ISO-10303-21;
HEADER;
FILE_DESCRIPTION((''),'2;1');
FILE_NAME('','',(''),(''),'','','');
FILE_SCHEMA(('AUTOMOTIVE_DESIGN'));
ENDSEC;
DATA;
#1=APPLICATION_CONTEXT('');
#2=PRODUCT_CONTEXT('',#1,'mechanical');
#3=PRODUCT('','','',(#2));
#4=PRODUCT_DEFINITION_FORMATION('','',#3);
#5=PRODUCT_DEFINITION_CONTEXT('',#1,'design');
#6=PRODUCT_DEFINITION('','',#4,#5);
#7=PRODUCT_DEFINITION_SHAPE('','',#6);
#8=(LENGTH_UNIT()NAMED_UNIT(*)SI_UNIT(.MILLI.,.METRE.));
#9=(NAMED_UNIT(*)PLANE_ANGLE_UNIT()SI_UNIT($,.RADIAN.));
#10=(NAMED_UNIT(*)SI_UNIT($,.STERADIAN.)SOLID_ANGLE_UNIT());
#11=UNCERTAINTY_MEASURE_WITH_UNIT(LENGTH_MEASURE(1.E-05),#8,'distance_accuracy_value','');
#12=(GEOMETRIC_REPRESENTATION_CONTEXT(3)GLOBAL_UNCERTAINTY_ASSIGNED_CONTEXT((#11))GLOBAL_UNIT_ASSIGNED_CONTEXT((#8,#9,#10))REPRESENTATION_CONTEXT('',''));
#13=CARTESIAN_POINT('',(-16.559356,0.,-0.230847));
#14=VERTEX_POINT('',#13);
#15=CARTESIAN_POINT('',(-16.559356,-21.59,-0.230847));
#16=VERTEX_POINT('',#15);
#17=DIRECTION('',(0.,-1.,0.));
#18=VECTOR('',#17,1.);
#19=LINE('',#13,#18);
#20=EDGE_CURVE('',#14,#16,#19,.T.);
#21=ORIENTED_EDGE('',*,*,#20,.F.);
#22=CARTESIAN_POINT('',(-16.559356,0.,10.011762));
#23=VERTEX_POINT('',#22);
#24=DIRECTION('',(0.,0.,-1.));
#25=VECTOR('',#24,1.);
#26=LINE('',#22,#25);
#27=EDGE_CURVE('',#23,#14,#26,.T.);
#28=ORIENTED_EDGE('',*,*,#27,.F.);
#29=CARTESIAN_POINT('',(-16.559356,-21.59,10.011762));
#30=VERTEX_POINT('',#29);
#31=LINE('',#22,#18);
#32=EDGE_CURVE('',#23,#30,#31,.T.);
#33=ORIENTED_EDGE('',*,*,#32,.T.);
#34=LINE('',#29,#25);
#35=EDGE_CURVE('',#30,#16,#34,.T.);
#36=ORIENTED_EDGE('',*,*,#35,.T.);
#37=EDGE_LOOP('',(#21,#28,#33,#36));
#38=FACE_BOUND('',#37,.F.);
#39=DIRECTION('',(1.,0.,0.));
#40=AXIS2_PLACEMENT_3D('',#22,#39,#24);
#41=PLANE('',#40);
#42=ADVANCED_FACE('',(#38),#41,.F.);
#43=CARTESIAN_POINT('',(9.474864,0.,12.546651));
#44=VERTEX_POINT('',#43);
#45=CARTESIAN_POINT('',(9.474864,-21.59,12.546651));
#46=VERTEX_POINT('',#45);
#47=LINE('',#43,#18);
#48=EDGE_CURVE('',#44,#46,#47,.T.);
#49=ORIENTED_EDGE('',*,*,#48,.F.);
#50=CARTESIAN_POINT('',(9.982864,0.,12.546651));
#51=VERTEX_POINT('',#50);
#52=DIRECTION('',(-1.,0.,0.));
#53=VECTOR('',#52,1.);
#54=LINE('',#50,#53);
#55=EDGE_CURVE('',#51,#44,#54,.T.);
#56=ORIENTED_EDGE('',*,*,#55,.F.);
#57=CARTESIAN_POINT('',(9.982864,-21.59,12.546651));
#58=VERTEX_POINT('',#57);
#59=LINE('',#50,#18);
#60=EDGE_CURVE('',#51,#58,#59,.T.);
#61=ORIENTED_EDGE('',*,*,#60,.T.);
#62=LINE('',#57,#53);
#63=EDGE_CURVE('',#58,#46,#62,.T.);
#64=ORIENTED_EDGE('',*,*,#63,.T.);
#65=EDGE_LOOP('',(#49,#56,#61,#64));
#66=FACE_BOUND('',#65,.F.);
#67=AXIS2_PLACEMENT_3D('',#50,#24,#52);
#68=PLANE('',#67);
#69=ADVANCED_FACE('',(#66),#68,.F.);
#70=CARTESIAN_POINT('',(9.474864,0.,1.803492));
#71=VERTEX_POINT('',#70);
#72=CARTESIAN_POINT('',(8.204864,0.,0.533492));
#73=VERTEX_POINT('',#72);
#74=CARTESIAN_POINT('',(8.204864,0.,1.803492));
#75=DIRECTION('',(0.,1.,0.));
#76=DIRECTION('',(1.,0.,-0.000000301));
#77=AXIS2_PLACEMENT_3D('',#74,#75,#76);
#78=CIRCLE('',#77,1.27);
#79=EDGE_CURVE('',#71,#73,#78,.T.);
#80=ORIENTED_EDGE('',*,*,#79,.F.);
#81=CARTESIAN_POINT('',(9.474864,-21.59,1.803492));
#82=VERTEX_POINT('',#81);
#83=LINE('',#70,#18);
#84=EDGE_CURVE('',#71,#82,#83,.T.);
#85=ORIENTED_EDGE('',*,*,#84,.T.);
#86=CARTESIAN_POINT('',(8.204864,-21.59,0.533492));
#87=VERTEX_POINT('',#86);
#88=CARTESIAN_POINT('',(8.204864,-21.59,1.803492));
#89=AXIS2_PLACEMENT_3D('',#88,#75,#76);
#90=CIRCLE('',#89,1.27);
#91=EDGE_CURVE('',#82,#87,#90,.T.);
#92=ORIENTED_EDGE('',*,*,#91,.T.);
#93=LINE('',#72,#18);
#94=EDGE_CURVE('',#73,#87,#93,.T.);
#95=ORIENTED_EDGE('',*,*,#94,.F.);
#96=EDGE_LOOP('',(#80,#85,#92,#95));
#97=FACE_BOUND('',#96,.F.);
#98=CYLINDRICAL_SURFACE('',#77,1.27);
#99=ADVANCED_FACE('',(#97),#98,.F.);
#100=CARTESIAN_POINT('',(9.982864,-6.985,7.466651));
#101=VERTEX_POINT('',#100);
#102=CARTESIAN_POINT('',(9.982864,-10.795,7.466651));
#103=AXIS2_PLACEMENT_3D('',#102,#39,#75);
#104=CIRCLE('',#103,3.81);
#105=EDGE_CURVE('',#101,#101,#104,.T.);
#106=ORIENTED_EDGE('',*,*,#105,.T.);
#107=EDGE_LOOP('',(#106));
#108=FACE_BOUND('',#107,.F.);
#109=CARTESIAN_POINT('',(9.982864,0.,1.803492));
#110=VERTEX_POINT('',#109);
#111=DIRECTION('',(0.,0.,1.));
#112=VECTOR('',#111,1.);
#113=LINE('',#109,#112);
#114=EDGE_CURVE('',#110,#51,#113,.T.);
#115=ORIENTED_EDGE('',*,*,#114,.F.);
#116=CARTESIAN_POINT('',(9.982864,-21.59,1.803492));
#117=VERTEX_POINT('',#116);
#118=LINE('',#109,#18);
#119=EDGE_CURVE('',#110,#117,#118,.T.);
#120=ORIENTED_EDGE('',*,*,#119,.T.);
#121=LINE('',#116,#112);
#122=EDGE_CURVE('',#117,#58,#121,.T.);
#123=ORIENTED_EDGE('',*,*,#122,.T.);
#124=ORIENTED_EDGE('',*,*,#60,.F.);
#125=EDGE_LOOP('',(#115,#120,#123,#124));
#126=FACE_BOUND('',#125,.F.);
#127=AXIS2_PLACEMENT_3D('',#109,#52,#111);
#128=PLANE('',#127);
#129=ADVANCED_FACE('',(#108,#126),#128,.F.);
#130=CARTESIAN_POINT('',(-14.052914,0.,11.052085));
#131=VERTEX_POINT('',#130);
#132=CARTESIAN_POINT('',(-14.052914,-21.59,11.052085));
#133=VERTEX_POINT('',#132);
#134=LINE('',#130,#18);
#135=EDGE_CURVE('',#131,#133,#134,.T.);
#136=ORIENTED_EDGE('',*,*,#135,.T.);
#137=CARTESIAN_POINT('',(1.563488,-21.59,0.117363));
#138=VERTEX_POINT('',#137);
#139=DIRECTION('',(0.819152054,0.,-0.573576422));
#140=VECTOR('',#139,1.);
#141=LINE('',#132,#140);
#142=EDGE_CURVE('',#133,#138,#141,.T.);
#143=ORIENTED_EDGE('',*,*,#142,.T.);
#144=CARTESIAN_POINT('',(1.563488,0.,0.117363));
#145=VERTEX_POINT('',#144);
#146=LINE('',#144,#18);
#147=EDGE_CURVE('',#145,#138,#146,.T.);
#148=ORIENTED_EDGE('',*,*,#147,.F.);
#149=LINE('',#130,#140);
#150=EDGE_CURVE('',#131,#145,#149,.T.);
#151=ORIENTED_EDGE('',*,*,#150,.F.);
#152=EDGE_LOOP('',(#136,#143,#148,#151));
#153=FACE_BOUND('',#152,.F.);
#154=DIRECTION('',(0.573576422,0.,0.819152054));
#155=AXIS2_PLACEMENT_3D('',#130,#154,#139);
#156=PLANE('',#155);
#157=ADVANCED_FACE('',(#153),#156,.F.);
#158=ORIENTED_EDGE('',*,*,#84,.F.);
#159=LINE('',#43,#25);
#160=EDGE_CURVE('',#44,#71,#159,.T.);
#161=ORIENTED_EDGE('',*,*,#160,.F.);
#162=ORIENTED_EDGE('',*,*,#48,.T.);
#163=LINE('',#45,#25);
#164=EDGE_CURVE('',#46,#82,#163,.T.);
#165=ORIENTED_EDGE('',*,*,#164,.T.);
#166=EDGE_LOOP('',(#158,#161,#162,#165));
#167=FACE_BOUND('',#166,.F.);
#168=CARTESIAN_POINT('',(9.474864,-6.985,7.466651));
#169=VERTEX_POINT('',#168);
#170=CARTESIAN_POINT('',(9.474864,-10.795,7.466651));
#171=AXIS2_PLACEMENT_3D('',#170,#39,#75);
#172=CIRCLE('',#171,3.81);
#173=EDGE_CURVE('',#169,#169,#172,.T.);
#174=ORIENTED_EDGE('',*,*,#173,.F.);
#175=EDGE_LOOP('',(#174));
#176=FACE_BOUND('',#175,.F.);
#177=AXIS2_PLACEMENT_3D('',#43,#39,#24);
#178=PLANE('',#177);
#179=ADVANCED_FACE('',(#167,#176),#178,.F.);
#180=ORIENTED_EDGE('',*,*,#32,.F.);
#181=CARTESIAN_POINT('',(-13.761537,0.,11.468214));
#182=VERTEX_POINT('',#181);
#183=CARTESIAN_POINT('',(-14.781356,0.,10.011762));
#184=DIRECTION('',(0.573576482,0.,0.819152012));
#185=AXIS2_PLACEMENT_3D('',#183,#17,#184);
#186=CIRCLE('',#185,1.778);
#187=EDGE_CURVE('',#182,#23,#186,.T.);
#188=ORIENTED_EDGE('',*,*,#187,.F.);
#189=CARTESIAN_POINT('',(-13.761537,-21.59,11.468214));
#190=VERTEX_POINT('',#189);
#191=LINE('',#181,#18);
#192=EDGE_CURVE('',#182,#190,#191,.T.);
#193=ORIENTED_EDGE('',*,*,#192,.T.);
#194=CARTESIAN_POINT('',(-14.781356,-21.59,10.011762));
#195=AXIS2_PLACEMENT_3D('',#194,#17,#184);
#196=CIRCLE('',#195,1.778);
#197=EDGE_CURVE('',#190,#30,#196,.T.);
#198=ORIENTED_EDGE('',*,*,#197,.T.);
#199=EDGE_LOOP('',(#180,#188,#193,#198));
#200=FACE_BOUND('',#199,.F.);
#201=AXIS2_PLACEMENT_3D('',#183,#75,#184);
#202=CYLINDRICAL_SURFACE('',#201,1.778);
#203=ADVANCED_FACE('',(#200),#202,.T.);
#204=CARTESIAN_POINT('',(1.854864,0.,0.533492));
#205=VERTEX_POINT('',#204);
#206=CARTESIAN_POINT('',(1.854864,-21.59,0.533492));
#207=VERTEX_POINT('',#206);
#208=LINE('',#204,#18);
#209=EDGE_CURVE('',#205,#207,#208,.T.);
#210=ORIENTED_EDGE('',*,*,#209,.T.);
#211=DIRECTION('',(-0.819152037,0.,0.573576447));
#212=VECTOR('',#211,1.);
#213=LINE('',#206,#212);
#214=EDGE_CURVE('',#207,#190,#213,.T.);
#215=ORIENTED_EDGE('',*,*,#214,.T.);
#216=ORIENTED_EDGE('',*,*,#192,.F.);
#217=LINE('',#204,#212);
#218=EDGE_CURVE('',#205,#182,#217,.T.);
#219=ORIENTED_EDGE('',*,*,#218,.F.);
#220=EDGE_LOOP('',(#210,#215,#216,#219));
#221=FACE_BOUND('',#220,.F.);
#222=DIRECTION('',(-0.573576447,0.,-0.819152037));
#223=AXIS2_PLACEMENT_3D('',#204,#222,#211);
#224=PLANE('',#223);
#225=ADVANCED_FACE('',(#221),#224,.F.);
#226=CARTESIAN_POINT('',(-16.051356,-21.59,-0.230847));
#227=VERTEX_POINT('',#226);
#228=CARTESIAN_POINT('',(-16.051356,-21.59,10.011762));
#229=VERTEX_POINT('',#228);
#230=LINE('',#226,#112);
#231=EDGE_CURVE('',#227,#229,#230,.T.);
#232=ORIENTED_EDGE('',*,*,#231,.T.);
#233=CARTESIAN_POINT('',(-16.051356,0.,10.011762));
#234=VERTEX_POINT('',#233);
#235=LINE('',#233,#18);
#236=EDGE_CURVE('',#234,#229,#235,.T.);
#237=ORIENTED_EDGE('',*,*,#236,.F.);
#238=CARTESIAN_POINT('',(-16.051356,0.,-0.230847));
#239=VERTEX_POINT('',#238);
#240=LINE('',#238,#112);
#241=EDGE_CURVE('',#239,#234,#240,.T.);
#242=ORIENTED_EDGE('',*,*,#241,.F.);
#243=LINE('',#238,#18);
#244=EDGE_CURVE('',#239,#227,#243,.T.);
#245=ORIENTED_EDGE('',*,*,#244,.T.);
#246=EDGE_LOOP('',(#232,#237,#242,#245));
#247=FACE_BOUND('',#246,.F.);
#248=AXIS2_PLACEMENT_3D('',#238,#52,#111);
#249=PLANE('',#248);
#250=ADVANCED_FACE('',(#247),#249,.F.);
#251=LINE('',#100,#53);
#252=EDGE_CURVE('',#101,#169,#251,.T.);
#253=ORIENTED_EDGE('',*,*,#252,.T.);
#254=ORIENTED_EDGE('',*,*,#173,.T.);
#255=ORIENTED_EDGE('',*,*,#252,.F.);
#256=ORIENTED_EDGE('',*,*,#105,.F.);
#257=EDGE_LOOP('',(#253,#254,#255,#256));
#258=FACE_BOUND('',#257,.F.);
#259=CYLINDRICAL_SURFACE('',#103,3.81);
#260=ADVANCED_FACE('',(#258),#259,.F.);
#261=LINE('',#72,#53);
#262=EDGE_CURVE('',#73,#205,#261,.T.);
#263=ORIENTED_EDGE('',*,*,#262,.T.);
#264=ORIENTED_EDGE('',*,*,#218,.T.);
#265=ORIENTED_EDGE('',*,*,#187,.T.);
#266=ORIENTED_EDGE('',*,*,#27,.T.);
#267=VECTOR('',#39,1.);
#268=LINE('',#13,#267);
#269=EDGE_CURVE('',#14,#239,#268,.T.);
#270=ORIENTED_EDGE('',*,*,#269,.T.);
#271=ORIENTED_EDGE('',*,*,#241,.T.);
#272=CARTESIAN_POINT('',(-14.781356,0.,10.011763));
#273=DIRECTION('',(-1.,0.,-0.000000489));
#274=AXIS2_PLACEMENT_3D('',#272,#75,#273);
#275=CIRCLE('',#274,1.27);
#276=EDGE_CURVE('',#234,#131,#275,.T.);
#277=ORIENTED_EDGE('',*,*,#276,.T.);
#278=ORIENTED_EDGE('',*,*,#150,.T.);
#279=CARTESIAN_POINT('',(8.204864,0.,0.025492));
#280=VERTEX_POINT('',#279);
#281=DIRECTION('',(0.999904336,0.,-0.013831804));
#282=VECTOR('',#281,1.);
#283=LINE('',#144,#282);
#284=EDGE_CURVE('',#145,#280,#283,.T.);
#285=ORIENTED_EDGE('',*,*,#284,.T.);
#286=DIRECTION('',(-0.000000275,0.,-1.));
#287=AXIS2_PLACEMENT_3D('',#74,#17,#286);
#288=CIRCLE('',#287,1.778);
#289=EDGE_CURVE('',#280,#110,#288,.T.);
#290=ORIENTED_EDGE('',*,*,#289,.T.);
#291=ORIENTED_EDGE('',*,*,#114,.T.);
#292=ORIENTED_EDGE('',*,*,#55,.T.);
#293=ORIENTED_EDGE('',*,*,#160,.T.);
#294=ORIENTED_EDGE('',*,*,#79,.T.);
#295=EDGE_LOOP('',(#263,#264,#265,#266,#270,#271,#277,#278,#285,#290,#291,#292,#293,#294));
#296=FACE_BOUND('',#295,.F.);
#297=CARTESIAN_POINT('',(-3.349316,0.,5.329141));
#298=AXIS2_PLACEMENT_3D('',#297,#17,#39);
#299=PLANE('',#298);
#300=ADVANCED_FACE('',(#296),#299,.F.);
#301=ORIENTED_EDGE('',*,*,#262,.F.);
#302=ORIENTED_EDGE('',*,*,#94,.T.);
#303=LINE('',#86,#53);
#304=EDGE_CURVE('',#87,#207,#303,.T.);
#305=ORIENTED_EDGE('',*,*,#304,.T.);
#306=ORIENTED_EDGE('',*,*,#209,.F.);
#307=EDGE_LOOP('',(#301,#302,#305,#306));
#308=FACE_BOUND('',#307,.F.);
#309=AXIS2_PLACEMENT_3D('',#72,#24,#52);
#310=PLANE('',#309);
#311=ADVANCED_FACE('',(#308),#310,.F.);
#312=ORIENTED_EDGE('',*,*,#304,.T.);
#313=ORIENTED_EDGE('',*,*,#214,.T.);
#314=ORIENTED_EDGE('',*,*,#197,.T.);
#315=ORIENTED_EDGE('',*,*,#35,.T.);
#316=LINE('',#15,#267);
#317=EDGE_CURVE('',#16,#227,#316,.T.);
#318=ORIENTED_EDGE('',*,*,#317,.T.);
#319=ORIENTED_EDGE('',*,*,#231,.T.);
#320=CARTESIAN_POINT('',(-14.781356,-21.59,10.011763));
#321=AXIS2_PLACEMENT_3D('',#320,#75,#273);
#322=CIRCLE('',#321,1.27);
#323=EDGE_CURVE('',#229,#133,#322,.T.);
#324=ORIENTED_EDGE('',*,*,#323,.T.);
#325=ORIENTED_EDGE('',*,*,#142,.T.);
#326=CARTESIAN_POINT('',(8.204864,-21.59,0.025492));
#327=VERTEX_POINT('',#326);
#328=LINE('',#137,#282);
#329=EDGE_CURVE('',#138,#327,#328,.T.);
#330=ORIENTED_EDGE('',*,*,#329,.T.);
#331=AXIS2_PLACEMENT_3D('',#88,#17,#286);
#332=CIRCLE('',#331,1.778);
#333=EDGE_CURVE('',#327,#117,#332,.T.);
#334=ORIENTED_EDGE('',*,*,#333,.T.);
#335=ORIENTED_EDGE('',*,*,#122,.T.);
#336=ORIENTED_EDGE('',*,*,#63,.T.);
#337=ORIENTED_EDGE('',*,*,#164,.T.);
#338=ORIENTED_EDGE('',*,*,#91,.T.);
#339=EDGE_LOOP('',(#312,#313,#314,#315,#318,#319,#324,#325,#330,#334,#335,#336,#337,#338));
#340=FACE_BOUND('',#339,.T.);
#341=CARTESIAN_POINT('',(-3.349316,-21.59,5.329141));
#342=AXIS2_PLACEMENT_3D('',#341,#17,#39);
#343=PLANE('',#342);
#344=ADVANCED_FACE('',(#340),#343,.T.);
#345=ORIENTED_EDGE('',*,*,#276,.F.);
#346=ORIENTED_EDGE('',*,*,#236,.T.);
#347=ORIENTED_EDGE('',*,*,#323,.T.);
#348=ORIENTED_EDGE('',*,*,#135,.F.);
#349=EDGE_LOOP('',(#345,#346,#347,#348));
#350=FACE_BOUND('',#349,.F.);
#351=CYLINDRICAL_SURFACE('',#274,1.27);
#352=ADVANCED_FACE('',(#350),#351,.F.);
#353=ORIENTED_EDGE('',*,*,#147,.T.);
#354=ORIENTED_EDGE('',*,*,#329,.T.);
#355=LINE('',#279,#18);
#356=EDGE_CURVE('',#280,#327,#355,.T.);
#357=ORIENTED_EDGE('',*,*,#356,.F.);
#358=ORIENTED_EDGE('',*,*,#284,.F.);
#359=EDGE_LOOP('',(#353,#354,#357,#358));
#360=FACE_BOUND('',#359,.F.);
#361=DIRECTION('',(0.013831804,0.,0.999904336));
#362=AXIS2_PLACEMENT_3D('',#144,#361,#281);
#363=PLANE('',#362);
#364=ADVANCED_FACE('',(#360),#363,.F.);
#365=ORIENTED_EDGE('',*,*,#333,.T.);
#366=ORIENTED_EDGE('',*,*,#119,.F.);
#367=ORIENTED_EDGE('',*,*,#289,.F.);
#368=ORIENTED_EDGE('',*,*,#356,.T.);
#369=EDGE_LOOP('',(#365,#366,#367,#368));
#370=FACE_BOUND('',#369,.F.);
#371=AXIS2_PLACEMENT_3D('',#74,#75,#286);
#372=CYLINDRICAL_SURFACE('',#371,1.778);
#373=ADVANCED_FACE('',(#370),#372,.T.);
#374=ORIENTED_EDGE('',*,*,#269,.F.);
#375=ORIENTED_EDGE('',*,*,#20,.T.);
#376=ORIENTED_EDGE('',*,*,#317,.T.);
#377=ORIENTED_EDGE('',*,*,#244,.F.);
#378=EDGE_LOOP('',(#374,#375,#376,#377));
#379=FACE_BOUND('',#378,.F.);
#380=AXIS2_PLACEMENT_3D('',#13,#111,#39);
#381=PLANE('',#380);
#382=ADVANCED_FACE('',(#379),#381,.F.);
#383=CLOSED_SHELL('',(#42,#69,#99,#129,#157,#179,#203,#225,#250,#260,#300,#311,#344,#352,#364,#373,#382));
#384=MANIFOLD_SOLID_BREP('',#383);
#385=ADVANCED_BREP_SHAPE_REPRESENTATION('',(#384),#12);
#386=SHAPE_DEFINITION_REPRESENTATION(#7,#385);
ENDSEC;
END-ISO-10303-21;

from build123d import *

# Parameters (mm, degrees)
F1_DEPTH = 21.59
F2_R     = 3.81
F3_DEPTH = 0.508


with BuildPart() as f1:
    # F0 (on Front) → F1 (new body)
    with BuildSketch(Plane.XZ):
        with BuildLine():
            Line((-16.559356, -0.230847), (-16.051356, -0.230847))
            Line((-16.051356, -0.230847), (-16.051356, 10.011762))
            ThreePointArc((-16.051356, 10.011762), (-15.367777, 11.138266), (-14.052914, 11.052085))
            Line((-14.052914, 11.052085), (1.563488, 0.117363))
            Line((1.563488, 0.117363), (8.204864, 0.025492))
            ThreePointArc((8.204864, 0.025492), (9.4621, 0.546256), (9.982864, 1.803492))
            Line((9.982864, 1.803492), (9.982864, 12.546651))
            Line((9.982864, 12.546651), (9.474864, 12.546651))
            Line((9.474864, 12.546651), (9.474864, 1.803492))
            ThreePointArc((9.474864, 1.803492), (9.10289, 0.905467), (8.204864, 0.533492))
            Line((8.204864, 0.533492), (1.854864, 0.533492))
            Line((1.854864, 0.533492), (-13.761537, 11.468214))
            ThreePointArc((-13.761537, 11.468214), (-15.602345, 11.588867), (-16.559356, 10.011762))
            Line((-16.559356, 10.011762), (-16.559356, -0.230847))
        make_face()
    extrude(amount=F1_DEPTH)

    # F2 (on face) → F3 (cut, through all)
    with BuildSketch(Plane.YZ.offset(9.982864)):
        with Locations((-10.795, 7.466651)):
            Circle(F2_R)
    extrude(amount=-F3_DEPTH, mode=Mode.SUBTRACT)


solid = f1.part
